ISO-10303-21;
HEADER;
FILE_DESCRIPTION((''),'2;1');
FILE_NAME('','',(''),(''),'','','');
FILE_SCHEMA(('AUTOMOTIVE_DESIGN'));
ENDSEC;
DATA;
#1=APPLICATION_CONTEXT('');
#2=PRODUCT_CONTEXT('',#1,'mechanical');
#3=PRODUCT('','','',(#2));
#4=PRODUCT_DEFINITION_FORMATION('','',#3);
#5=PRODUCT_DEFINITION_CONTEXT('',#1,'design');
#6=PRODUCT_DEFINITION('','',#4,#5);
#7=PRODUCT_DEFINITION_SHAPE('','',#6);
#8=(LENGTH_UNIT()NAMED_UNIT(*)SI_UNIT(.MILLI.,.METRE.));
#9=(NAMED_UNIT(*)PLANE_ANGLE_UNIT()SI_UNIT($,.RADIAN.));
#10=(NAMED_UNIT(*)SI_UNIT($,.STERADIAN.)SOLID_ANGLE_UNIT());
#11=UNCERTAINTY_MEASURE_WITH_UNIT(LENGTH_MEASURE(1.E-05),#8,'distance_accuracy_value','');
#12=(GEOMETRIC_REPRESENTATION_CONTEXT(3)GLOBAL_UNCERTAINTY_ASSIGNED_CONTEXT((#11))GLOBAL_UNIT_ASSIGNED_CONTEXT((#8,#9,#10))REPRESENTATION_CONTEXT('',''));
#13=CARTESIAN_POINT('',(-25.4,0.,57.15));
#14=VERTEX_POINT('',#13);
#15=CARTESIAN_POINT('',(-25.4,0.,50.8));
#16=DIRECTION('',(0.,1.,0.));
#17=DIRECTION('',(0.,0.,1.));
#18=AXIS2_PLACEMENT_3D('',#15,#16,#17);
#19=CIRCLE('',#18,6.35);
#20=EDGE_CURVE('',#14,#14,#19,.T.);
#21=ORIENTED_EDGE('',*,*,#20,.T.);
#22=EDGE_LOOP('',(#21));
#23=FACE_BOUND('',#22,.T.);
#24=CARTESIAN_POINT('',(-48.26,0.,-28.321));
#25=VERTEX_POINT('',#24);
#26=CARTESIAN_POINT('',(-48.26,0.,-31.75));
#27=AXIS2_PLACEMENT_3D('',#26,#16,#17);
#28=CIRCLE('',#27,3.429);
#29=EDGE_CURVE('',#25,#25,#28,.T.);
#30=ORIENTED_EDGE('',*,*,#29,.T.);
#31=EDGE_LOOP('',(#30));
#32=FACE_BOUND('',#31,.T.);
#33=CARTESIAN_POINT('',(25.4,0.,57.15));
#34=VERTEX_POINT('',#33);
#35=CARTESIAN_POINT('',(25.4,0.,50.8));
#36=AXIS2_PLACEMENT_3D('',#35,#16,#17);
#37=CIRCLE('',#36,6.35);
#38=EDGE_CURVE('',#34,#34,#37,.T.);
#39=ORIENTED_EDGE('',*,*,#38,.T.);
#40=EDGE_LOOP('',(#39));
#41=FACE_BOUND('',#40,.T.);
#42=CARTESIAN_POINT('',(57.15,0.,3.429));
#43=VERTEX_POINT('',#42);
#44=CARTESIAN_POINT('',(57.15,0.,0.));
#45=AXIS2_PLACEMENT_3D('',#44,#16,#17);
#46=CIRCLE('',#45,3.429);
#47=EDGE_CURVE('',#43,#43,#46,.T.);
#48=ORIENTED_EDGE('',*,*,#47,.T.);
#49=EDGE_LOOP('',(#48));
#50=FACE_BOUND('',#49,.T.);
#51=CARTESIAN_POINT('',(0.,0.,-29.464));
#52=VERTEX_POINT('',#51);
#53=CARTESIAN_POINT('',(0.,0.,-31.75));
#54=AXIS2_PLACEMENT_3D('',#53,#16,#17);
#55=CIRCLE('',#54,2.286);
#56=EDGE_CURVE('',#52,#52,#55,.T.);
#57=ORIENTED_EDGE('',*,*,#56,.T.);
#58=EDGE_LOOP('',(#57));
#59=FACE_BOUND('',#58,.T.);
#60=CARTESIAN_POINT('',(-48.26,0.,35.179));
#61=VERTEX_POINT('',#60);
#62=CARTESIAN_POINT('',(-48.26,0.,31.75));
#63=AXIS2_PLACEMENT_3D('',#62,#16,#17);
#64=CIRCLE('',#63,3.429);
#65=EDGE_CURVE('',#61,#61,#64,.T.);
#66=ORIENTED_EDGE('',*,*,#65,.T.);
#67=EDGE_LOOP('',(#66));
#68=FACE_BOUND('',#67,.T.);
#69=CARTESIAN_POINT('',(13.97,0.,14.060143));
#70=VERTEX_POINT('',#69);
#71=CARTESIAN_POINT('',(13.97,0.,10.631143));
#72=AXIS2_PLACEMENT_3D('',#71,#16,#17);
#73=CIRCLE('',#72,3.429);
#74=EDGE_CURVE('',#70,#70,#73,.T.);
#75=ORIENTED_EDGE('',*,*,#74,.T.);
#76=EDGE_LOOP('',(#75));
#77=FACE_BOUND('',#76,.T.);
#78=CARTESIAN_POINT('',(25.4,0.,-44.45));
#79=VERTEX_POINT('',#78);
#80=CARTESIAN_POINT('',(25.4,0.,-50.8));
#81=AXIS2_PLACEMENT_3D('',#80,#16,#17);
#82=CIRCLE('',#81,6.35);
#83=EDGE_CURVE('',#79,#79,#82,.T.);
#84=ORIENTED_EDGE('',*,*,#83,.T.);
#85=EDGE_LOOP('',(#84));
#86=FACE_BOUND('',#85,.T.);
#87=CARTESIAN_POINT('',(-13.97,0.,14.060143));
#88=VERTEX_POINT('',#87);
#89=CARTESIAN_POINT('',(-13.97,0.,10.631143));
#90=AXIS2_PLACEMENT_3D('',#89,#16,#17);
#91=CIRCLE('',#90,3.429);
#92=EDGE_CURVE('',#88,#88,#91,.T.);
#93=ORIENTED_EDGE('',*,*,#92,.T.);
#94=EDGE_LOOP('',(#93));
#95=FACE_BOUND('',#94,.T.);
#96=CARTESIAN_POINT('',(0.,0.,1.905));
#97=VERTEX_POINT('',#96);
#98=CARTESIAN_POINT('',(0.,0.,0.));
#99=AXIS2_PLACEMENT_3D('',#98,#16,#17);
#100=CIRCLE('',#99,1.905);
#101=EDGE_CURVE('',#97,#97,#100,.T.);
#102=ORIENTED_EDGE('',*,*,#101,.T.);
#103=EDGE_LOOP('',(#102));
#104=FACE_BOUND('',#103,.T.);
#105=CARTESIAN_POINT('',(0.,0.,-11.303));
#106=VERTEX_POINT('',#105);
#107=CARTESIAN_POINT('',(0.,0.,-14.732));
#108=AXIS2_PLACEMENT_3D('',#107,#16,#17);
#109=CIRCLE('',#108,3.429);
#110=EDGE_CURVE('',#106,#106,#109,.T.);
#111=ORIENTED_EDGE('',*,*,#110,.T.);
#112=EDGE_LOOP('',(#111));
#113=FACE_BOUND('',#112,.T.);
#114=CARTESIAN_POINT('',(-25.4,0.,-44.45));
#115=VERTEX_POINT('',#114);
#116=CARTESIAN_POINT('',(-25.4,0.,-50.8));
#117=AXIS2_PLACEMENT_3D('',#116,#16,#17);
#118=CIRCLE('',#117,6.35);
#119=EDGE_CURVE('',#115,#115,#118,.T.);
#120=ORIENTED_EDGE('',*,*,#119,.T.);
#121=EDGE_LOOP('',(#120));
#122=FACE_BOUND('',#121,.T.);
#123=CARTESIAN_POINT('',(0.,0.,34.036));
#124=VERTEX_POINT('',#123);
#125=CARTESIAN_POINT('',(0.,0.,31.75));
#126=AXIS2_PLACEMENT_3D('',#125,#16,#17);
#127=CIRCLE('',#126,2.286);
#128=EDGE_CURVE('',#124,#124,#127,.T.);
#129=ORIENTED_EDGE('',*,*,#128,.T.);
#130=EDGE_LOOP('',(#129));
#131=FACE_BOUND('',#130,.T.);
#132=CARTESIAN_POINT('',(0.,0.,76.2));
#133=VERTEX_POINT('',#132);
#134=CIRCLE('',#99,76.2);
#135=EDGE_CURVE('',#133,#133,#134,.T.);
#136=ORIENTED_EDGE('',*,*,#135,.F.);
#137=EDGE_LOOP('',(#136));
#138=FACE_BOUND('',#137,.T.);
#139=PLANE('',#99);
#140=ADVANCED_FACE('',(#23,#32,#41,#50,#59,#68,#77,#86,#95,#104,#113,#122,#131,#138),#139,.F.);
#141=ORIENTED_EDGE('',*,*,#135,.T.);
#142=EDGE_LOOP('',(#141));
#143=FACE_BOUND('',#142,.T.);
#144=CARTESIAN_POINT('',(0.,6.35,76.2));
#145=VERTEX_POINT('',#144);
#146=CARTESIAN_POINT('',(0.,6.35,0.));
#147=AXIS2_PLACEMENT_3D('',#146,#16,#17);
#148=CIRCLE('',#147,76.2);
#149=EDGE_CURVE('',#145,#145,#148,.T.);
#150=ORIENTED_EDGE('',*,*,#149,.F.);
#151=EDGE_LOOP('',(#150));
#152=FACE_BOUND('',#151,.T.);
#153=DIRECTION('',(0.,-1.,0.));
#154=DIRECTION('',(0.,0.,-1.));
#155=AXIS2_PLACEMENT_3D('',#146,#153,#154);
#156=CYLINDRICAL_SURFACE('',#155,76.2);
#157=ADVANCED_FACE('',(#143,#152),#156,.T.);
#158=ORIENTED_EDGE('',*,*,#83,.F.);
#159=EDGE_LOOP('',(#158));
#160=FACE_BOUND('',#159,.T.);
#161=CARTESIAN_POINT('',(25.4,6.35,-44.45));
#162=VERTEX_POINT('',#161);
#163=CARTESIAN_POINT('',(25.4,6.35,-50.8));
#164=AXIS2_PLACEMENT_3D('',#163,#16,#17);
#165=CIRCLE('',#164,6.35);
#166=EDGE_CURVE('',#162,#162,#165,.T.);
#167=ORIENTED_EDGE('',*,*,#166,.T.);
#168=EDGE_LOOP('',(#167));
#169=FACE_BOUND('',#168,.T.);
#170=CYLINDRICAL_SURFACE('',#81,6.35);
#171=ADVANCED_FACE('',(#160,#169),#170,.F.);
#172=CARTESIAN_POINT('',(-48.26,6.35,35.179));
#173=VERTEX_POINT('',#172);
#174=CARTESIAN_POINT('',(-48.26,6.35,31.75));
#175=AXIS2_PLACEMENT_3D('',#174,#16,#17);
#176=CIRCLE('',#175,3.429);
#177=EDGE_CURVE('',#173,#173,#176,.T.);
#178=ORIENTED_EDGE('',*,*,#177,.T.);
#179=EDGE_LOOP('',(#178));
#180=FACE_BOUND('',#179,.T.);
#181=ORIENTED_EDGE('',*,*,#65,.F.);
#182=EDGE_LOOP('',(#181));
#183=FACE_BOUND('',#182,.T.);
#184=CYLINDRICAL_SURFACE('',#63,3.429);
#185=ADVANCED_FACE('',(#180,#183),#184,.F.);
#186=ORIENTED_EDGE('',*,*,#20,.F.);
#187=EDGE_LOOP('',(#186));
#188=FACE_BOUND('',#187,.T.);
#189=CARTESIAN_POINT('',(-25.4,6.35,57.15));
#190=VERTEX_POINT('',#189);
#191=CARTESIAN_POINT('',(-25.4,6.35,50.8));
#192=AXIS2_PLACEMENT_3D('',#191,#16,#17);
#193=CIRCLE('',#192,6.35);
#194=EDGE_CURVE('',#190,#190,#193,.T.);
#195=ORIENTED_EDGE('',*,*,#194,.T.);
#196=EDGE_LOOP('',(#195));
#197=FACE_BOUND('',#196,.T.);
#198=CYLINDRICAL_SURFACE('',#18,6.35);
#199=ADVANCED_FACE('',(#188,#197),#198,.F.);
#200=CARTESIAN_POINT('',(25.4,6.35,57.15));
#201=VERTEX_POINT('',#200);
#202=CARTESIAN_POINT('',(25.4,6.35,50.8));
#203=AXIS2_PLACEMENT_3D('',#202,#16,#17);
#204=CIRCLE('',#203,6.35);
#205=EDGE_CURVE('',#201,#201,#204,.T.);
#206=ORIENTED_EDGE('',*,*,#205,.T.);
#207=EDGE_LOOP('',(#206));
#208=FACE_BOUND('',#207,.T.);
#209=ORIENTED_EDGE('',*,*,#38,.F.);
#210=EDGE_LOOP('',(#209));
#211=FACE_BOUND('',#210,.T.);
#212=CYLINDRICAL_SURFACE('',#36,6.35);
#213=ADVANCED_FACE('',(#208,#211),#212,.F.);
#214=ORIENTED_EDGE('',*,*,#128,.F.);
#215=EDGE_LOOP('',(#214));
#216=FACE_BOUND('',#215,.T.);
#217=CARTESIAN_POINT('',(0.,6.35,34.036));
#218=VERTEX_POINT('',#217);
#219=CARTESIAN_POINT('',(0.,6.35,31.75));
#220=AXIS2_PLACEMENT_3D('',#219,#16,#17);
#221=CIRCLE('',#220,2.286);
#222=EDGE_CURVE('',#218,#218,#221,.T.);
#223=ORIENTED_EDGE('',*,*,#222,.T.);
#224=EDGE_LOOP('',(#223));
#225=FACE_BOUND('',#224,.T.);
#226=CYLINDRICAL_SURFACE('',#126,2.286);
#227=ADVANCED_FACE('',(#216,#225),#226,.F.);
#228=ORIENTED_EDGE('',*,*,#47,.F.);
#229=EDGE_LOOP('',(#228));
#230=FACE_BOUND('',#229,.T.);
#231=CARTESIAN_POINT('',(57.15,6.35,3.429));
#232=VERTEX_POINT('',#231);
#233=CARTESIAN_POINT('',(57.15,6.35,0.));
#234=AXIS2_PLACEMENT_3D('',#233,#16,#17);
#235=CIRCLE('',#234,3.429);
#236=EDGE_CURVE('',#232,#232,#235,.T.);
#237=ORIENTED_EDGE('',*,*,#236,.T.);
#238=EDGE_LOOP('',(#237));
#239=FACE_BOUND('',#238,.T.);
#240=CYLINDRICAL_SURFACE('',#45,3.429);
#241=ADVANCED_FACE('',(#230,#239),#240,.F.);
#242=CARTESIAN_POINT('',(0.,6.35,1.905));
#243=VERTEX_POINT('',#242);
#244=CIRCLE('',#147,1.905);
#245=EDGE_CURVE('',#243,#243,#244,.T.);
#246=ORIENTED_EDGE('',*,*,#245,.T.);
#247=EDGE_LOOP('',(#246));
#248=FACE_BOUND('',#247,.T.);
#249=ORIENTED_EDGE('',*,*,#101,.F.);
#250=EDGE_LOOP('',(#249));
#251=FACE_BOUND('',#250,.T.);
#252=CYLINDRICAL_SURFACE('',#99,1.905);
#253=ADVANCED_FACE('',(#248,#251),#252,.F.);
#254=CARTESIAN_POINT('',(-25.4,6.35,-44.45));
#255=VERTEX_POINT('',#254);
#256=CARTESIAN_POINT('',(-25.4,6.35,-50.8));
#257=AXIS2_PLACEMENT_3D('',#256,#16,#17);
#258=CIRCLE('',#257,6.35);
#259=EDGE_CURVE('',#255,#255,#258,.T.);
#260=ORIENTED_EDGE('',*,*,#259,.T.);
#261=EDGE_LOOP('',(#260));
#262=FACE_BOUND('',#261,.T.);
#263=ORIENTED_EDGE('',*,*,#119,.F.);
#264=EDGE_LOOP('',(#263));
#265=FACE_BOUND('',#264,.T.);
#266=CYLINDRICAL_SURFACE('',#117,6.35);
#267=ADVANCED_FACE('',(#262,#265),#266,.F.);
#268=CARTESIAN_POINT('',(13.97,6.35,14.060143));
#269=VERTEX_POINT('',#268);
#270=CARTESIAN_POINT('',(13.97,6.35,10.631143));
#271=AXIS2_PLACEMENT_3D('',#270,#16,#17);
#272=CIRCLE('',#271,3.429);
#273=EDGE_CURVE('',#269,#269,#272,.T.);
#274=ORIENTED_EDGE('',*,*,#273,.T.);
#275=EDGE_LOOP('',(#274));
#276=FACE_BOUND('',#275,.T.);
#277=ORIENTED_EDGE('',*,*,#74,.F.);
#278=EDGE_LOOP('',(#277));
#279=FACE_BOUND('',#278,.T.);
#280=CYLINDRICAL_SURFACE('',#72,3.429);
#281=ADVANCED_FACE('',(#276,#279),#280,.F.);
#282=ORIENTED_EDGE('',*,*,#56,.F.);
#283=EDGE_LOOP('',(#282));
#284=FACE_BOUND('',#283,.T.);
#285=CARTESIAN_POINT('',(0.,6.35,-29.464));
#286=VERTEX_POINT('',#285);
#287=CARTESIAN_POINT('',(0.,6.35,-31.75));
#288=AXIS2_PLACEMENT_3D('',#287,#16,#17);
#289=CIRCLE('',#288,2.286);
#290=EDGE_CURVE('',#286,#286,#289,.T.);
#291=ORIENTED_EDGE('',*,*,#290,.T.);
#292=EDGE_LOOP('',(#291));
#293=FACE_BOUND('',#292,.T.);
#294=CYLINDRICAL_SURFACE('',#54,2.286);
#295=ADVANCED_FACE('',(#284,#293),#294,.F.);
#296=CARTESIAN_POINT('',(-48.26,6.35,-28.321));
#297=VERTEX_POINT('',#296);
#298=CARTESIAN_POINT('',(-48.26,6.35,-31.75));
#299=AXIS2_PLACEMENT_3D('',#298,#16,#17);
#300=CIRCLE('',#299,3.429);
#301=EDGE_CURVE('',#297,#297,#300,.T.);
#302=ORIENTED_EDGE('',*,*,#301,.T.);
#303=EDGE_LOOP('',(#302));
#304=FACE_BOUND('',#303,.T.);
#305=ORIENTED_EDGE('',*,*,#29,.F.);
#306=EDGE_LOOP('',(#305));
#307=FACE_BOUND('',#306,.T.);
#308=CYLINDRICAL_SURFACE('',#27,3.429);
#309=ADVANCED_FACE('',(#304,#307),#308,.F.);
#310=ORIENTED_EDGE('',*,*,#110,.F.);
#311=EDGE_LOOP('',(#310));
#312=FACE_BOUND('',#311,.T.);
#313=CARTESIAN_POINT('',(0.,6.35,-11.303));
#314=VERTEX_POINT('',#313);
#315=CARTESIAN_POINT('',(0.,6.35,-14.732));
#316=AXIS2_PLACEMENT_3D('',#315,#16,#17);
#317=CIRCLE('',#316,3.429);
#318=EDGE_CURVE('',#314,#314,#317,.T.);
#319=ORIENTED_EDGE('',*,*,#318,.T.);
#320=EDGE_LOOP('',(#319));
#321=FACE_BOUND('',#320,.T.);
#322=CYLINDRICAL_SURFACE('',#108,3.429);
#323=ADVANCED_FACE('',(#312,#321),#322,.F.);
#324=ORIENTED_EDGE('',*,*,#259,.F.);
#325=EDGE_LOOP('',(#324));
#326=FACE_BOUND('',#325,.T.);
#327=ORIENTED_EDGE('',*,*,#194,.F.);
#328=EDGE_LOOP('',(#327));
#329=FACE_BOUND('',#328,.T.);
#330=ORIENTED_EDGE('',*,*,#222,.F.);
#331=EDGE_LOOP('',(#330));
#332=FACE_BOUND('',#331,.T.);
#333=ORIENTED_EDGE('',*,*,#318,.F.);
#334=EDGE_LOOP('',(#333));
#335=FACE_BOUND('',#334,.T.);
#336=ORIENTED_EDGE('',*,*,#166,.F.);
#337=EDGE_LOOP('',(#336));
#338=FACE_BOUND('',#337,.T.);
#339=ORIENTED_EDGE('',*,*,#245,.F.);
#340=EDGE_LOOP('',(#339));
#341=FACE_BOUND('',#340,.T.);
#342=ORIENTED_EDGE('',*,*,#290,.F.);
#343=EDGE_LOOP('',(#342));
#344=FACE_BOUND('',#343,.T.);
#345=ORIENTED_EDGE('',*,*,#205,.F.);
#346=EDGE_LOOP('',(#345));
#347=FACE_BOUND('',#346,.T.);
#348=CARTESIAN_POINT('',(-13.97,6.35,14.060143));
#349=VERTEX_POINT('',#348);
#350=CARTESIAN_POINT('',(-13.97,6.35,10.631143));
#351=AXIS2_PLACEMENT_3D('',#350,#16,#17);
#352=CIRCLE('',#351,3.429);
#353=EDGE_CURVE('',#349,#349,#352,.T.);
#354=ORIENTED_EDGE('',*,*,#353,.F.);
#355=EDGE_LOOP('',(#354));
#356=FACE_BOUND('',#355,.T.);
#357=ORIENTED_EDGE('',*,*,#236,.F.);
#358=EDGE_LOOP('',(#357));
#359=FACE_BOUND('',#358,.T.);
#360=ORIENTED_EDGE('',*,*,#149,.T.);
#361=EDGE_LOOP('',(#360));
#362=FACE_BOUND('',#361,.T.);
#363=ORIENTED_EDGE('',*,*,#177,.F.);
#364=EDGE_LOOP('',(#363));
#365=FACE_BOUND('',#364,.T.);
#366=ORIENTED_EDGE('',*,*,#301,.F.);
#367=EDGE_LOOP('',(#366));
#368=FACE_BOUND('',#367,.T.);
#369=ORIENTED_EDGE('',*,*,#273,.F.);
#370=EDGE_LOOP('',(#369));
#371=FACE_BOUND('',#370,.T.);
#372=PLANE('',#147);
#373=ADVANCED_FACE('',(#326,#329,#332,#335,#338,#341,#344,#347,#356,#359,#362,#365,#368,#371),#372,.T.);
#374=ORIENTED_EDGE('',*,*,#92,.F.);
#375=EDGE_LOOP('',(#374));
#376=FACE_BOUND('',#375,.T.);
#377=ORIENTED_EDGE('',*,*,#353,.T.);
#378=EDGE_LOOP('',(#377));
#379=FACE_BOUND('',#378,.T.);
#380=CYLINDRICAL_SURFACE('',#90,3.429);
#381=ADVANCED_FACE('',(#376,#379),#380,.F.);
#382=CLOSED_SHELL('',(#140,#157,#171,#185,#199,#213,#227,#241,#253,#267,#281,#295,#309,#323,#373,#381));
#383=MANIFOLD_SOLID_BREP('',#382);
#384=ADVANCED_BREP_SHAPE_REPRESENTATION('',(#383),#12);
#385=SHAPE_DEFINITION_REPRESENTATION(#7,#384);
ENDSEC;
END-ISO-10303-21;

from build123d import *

# Parameters (mm, degrees)
SKETCH1_R           = 76.2
BOSS_EXTRUDE1_DEPTH = 6.35
SKETCH2_R           = 1.905
CUT_EXTRUDE1_DEPTH  = 108.95
SKETCH3_R           = 3.429
CUT_EXTRUDE2_DEPTH  = 108.95
SKETCH4_R           = 6.35
CUT_EXTRUDE3_DEPTH  = 108.95
SKETCH5_R           = 6.35
CUT_EXTRUDE4_DEPTH  = 108.95
SKETCH7_R           = 2.54
CUT_EXTRUDE6_DEPTH  = 108.95
SKETCH8_R           = 3.429
CUT_EXTRUDE7_DEPTH  = 108.95
SKETCH9_R           = 3.429
CUT_EXTRUDE8_DEPTH  = 108.95
SKETCH10_R          = 2.54
BOSS_EXTRUDE2_DEPTH = 6.35
SKETCH11_R          = 2.286
CUT_EXTRUDE9_DEPTH  = 108.95


with BuildPart() as part:
    # Sketch1 → Boss-Extrude1 (new body)
    with BuildSketch(Plane(origin=(0, 0, 0), x_dir=(1, 0, 0), z_dir=(0, 1, 0))):
        with Locations(Location((0, 0, 0), (0, 0, 270))):
            Circle(SKETCH1_R)
    extrude(amount=BOSS_EXTRUDE1_DEPTH)

    # Sketch2 → Cut-Extrude1 (cut, through all)
    with BuildSketch(Plane(origin=(0, 6.35, 0), x_dir=(1, 0, 0), z_dir=(0, 1, 0))):
        with Locations(Location((0, 0, 0), (0, 0, 270))):
            Circle(SKETCH2_R)
    extrude(amount=-CUT_EXTRUDE1_DEPTH, mode=Mode.SUBTRACT)

    # Sketch3 → Cut-Extrude2 (cut, through all)
    with BuildSketch(Plane(origin=(0, 6.35, 0), x_dir=(1, 0, 0), z_dir=(0, 1, 0))):
        with Locations(Location((0, 14.732, 0), (0, 0, 270))):
            Circle(SKETCH3_R)
        with Locations(Location((-13.97, -10.631143259, 0), (0, 0, 270))):
            Circle(SKETCH3_R)
        with Locations(Location((13.97, -10.631143259, 0), (0, 0, 270))):
            Circle(SKETCH3_R)
    extrude(amount=-CUT_EXTRUDE2_DEPTH, mode=Mode.SUBTRACT)

    # Sketch4 → Cut-Extrude3 (cut, through all)
    with BuildSketch(Plane(origin=(0, 6.35, 0), x_dir=(1, 0, 0), z_dir=(0, 1, 0))):
        with Locations(Location((-25.4, -50.8, 0), (0, 0, 270))):
            Circle(SKETCH4_R)
        with Locations(Location((25.4, -50.8, 0), (0, 0, 270))):
            Circle(SKETCH4_R)
    extrude(amount=-CUT_EXTRUDE3_DEPTH, mode=Mode.SUBTRACT)

    # Sketch5 → Cut-Extrude4 (cut, through all)
    with BuildSketch(Plane(origin=(0, 6.35, 0), x_dir=(1, 0, 0), z_dir=(0, 1, 0))):
        with Locations(Location((-25.4, 50.8, 0), (0, 0, 270))):
            Circle(SKETCH5_R)
        with Locations(Location((25.4, 50.8, 0), (0, 0, 270))):
            Circle(SKETCH5_R)
    extrude(amount=-CUT_EXTRUDE4_DEPTH, mode=Mode.SUBTRACT)

    # Sketch7 → Cut-Extrude6 (cut, through all)
    with BuildSketch(Plane(origin=(0, 6.35, 0), x_dir=(1, 0, 0), z_dir=(0, 1, 0))):
        with Locations(Location((0, 46.99, 0), (0, 0, 270))):
            Circle(SKETCH7_R)
        with Locations(Location((0, -46.99, 0), (0, 0, 270))):
            Circle(SKETCH7_R)
    extrude(amount=-CUT_EXTRUDE6_DEPTH, mode=Mode.SUBTRACT)

    # Sketch8 → Cut-Extrude7 (cut, through all)
    with BuildSketch(Plane(origin=(0, 6.35, 0), x_dir=(1, 0, 0), z_dir=(0, 1, 0))):
        with Locations(Location((57.15, 0, 0), (0, 0, 270))):
            Circle(SKETCH8_R)
    extrude(amount=-CUT_EXTRUDE7_DEPTH, mode=Mode.SUBTRACT)

    # Sketch9 → Cut-Extrude8 (cut, through all)
    with BuildSketch(Plane(origin=(0, 6.35, 0), x_dir=(1, 0, 0), z_dir=(0, 1, 0))):
        with Locations(Location((-48.26, -31.75, 0), (0, 0, 270))):
            Circle(SKETCH9_R)
        with Locations(Location((-48.26, 31.75, 0), (0, 0, 270))):
            Circle(SKETCH9_R)
    extrude(amount=-CUT_EXTRUDE8_DEPTH, mode=Mode.SUBTRACT)

    # Sketch10 → Boss-Extrude2 (add)
    with BuildSketch(Plane(origin=(0, 6.35, 0), x_dir=(1, 0, 0), z_dir=(0, 1, 0))):
        with Locations((0, 46.99)):
            Circle(SKETCH10_R)
        with Locations((0, -46.99)):
            Circle(SKETCH10_R)
    extrude(amount=-BOSS_EXTRUDE2_DEPTH)

    # Sketch11 → Cut-Extrude9 (cut, through all)
    with BuildSketch(Plane(origin=(0, 6.35, 0), x_dir=(1, 0, 0), z_dir=(0, 1, 0))):
        with Locations(Location((0, -31.75, 0), (0, 0, 270))):
            Circle(SKETCH11_R)
        with Locations(Location((0, 31.75, 0), (0, 0, 270))):
            Circle(SKETCH11_R)
    extrude(amount=-CUT_EXTRUDE9_DEPTH, mode=Mode.SUBTRACT)


solid = part.part
